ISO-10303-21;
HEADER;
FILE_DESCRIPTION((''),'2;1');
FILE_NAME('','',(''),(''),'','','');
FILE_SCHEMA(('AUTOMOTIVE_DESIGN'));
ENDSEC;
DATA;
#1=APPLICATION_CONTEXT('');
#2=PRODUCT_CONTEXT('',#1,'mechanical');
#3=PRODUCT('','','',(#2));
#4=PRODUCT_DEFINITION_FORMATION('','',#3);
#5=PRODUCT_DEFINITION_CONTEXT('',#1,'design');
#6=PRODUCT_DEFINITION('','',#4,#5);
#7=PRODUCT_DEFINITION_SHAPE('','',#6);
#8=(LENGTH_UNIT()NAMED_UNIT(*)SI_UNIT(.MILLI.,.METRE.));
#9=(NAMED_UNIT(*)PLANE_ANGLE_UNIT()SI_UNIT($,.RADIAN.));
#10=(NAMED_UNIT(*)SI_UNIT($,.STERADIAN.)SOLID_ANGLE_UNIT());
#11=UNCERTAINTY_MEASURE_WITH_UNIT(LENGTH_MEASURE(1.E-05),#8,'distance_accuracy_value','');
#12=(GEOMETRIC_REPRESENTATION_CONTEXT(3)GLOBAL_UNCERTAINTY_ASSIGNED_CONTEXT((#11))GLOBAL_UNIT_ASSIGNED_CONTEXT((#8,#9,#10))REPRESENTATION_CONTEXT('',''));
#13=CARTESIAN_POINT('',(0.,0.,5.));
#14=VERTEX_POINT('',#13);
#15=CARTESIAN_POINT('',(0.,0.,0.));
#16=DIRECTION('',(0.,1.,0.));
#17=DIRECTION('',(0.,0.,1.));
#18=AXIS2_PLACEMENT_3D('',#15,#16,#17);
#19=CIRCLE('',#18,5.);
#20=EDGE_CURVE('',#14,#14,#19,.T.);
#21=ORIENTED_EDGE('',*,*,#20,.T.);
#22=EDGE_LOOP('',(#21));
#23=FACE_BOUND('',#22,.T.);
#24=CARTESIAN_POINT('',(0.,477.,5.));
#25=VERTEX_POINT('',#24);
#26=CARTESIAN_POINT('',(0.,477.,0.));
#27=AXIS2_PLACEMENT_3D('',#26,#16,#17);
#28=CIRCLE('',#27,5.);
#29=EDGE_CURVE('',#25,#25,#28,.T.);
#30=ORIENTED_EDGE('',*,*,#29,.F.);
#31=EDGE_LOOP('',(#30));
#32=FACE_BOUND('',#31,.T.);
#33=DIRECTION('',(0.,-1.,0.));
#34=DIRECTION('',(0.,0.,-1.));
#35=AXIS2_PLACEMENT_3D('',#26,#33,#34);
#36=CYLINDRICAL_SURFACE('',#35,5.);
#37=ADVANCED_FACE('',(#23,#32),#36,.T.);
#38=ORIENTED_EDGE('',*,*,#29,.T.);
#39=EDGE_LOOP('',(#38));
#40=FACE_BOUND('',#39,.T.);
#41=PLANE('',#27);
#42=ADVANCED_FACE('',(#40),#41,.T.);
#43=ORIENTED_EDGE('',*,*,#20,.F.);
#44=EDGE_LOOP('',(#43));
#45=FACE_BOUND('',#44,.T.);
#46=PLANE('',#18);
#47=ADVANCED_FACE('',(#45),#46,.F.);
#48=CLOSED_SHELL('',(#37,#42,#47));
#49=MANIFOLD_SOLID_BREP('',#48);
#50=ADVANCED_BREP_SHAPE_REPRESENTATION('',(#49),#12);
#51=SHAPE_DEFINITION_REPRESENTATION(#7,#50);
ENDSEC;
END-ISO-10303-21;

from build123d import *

# Parameters (mm, degrees)
SKETCH1_R           = 5
BOSS_EXTRUDE1_DEPTH = 477


with BuildPart() as part:
    # Sketch1 → Boss-Extrude1 (new body)
    with BuildSketch(Plane(origin=(0, 0, 0), x_dir=(1, 0, 0), z_dir=(0, 1, 0))):
        with Locations(Location((0, 0, 0), (0, 0, 270))):  # turned: the seam where the file's is
            Circle(SKETCH1_R)
    extrude(amount=BOSS_EXTRUDE1_DEPTH)


solid = part.part
